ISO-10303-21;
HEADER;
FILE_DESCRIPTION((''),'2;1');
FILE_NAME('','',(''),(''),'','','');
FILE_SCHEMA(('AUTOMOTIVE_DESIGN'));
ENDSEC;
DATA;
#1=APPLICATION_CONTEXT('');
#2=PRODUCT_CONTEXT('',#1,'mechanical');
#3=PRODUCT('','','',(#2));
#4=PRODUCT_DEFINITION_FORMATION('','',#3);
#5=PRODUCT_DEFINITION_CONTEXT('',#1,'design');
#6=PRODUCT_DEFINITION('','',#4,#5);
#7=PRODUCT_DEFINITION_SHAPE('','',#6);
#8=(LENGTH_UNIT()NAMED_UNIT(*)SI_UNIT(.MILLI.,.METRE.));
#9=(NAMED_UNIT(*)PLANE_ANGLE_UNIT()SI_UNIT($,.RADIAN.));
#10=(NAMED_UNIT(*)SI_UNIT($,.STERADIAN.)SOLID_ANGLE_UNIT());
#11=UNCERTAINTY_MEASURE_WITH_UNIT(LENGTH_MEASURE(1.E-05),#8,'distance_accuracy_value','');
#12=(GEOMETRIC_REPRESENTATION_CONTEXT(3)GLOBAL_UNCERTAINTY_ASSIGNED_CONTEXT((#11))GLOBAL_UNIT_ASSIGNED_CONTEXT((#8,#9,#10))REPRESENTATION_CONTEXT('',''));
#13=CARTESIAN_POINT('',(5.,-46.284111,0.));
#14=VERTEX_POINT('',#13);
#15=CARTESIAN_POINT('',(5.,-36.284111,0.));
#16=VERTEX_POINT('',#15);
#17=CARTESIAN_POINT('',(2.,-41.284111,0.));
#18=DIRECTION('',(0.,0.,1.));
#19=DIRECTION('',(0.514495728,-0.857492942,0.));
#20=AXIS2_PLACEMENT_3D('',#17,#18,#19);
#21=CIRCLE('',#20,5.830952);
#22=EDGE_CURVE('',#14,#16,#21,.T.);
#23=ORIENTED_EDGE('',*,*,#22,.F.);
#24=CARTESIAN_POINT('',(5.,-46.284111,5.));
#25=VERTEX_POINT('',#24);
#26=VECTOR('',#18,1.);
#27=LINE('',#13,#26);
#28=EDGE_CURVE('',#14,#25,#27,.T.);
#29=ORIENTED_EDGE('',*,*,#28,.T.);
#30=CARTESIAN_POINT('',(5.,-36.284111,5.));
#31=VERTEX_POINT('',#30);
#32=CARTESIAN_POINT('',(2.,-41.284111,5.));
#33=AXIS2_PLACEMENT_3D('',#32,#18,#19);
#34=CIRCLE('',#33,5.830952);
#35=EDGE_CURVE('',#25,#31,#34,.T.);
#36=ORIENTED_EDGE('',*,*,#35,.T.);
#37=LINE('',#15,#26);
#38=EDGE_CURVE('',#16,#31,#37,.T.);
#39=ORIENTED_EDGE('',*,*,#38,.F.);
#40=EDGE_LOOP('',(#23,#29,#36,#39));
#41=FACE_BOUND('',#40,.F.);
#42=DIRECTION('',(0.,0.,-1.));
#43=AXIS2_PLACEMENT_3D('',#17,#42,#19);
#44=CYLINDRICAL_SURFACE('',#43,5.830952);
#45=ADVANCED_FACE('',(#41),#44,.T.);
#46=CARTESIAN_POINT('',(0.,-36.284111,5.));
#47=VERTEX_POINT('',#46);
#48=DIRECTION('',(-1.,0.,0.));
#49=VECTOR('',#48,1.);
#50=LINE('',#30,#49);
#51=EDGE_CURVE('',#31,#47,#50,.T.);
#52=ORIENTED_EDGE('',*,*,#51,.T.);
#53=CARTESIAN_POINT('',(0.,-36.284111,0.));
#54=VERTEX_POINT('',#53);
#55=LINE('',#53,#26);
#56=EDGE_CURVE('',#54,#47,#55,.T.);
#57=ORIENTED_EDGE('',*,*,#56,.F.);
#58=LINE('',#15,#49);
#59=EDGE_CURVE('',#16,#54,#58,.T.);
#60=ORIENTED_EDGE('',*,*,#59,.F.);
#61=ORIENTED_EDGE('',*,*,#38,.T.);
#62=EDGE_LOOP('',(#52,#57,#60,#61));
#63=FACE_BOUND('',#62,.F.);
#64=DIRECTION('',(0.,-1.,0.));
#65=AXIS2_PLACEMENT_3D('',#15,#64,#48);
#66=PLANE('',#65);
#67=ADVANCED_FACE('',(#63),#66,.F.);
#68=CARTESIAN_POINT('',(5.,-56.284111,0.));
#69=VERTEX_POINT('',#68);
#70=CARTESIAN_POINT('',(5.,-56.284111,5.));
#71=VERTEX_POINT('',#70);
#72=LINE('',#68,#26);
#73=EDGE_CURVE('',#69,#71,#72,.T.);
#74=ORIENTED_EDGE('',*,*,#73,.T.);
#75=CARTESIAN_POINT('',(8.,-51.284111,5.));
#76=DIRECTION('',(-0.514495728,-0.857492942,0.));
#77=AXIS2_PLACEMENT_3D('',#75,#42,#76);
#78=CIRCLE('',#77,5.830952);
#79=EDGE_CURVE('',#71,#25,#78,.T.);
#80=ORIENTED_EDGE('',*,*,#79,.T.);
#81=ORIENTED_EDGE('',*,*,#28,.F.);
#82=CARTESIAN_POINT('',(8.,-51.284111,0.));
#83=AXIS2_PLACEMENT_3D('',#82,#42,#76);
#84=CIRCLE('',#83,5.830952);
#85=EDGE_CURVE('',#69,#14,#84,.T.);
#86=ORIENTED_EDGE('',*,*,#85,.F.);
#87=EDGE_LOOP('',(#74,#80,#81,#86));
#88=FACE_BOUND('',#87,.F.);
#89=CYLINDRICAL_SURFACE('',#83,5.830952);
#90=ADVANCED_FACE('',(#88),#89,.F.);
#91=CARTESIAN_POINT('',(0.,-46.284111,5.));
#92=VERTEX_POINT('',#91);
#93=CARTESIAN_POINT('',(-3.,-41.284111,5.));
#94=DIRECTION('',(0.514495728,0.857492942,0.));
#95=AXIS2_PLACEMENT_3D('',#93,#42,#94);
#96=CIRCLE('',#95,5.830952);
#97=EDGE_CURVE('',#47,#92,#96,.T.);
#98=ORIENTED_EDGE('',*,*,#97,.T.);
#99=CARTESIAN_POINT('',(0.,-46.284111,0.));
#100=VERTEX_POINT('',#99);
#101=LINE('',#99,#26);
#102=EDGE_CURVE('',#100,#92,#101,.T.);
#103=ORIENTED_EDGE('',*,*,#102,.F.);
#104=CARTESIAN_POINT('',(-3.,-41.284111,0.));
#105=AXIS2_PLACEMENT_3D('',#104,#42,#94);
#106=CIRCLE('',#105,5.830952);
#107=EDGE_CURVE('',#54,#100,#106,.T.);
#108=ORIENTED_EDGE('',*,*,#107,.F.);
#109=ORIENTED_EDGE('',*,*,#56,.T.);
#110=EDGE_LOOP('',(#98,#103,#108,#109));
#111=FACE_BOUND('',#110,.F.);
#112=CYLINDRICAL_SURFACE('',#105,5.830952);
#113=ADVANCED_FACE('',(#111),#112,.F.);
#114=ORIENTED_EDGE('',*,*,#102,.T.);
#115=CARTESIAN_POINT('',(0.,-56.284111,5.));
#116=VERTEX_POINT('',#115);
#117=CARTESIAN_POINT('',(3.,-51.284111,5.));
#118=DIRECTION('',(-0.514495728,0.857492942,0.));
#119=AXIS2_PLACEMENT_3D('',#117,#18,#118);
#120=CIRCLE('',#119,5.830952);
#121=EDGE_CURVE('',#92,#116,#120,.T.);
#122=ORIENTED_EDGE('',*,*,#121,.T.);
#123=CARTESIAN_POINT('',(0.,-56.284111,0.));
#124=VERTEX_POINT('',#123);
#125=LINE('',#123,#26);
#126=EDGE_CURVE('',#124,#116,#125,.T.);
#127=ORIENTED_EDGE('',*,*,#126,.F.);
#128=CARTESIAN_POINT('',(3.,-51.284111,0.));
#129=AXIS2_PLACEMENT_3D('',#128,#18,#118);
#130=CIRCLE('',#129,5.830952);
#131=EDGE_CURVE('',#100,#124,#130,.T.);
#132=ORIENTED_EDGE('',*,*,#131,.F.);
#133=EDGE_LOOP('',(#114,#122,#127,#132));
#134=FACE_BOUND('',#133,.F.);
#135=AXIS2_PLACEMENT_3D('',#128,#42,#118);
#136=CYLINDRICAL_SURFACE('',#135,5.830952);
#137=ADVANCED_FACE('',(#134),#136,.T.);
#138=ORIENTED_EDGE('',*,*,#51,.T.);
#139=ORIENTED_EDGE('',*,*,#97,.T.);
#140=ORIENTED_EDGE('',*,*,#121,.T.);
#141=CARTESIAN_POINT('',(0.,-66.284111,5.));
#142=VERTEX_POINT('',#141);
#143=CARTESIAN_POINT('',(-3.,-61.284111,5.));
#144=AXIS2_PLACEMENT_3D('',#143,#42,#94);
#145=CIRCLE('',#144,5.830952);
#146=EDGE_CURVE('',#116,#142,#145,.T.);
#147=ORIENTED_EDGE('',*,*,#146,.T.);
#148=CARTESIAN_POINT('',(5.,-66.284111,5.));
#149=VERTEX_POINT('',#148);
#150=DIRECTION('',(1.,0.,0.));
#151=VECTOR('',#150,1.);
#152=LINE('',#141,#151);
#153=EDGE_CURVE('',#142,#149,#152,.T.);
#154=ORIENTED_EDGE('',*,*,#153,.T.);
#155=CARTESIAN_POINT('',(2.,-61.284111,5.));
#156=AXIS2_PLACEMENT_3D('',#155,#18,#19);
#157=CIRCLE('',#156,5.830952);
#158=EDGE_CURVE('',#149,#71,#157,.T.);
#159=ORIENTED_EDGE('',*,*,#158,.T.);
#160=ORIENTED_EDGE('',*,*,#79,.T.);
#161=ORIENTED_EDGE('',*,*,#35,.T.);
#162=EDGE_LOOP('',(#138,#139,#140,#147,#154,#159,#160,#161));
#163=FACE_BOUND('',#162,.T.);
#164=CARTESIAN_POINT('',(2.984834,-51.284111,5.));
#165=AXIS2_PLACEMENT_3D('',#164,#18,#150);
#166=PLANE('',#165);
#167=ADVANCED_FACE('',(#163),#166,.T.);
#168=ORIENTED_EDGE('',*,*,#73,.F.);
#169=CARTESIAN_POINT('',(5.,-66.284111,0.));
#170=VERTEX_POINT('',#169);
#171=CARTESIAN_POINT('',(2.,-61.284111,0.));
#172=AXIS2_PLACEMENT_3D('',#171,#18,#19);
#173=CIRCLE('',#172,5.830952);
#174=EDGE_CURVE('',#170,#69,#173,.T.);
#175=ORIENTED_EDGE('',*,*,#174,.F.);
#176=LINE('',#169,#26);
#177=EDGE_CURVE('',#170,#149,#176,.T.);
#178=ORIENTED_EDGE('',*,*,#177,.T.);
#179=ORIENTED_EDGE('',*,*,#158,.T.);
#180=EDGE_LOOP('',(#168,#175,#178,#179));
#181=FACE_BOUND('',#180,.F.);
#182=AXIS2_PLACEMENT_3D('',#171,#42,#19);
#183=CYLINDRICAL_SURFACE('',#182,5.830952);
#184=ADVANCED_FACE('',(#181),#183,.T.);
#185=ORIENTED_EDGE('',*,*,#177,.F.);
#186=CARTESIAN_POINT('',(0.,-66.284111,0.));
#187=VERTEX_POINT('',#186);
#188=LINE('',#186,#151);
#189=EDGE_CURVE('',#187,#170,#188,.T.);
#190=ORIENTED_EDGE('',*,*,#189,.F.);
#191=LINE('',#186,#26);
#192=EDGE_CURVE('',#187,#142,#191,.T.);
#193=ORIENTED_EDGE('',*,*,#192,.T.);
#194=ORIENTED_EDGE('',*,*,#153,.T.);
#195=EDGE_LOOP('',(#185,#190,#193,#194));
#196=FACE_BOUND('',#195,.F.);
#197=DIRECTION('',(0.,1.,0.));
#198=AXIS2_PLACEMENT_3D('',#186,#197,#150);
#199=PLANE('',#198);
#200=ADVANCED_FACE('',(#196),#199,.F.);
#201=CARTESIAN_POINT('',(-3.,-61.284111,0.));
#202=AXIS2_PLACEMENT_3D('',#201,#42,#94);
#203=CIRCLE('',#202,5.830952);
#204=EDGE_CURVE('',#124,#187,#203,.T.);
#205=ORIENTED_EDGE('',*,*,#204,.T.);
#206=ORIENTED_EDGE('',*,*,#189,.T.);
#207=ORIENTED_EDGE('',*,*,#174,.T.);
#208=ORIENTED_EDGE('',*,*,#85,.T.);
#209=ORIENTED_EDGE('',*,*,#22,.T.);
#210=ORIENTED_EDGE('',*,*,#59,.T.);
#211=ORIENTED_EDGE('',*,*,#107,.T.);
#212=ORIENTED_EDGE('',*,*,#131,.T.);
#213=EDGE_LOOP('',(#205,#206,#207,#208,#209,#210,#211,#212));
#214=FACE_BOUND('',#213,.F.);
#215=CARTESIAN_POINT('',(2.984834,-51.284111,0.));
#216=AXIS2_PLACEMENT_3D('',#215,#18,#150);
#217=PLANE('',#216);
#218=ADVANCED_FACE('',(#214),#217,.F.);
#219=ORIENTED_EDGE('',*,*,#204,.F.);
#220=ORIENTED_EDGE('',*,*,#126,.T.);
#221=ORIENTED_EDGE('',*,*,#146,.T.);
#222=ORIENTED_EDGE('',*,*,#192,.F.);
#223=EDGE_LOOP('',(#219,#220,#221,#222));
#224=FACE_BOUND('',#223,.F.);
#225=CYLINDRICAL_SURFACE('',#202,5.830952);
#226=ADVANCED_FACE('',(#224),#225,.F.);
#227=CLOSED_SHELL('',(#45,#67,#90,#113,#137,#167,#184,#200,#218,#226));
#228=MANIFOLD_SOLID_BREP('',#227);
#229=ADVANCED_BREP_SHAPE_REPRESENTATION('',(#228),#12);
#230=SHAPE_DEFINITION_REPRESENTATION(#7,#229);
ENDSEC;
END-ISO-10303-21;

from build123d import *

# Parameters (mm, degrees)
F1_DEPTH = 5


with BuildPart() as f1:
    # F0 (on Top) → F1 (new body)
    with BuildSketch(Plane.XY):
        with BuildLine():
            ThreePointArc((0, -56.284111), (2.830952, -61.284111), (0, -66.284111))
            Line((0, -66.284111), (5, -66.284111))
            ThreePointArc((5, -66.284111), (7.830952, -61.284111), (5, -56.284111))
            ThreePointArc((5, -56.284111), (2.169048, -51.284111), (5, -46.284111))
            ThreePointArc((5, -46.284111), (7.830952, -41.284111), (5, -36.284111))
            Line((5, -36.284111), (0, -36.284111))
            ThreePointArc((0, -36.284111), (2.830952, -41.284111), (0, -46.284111))
            ThreePointArc((0, -46.284111), (-2.830952, -51.284111), (0, -56.284111))
        make_face()
    extrude(amount=F1_DEPTH)


solid = f1.part
